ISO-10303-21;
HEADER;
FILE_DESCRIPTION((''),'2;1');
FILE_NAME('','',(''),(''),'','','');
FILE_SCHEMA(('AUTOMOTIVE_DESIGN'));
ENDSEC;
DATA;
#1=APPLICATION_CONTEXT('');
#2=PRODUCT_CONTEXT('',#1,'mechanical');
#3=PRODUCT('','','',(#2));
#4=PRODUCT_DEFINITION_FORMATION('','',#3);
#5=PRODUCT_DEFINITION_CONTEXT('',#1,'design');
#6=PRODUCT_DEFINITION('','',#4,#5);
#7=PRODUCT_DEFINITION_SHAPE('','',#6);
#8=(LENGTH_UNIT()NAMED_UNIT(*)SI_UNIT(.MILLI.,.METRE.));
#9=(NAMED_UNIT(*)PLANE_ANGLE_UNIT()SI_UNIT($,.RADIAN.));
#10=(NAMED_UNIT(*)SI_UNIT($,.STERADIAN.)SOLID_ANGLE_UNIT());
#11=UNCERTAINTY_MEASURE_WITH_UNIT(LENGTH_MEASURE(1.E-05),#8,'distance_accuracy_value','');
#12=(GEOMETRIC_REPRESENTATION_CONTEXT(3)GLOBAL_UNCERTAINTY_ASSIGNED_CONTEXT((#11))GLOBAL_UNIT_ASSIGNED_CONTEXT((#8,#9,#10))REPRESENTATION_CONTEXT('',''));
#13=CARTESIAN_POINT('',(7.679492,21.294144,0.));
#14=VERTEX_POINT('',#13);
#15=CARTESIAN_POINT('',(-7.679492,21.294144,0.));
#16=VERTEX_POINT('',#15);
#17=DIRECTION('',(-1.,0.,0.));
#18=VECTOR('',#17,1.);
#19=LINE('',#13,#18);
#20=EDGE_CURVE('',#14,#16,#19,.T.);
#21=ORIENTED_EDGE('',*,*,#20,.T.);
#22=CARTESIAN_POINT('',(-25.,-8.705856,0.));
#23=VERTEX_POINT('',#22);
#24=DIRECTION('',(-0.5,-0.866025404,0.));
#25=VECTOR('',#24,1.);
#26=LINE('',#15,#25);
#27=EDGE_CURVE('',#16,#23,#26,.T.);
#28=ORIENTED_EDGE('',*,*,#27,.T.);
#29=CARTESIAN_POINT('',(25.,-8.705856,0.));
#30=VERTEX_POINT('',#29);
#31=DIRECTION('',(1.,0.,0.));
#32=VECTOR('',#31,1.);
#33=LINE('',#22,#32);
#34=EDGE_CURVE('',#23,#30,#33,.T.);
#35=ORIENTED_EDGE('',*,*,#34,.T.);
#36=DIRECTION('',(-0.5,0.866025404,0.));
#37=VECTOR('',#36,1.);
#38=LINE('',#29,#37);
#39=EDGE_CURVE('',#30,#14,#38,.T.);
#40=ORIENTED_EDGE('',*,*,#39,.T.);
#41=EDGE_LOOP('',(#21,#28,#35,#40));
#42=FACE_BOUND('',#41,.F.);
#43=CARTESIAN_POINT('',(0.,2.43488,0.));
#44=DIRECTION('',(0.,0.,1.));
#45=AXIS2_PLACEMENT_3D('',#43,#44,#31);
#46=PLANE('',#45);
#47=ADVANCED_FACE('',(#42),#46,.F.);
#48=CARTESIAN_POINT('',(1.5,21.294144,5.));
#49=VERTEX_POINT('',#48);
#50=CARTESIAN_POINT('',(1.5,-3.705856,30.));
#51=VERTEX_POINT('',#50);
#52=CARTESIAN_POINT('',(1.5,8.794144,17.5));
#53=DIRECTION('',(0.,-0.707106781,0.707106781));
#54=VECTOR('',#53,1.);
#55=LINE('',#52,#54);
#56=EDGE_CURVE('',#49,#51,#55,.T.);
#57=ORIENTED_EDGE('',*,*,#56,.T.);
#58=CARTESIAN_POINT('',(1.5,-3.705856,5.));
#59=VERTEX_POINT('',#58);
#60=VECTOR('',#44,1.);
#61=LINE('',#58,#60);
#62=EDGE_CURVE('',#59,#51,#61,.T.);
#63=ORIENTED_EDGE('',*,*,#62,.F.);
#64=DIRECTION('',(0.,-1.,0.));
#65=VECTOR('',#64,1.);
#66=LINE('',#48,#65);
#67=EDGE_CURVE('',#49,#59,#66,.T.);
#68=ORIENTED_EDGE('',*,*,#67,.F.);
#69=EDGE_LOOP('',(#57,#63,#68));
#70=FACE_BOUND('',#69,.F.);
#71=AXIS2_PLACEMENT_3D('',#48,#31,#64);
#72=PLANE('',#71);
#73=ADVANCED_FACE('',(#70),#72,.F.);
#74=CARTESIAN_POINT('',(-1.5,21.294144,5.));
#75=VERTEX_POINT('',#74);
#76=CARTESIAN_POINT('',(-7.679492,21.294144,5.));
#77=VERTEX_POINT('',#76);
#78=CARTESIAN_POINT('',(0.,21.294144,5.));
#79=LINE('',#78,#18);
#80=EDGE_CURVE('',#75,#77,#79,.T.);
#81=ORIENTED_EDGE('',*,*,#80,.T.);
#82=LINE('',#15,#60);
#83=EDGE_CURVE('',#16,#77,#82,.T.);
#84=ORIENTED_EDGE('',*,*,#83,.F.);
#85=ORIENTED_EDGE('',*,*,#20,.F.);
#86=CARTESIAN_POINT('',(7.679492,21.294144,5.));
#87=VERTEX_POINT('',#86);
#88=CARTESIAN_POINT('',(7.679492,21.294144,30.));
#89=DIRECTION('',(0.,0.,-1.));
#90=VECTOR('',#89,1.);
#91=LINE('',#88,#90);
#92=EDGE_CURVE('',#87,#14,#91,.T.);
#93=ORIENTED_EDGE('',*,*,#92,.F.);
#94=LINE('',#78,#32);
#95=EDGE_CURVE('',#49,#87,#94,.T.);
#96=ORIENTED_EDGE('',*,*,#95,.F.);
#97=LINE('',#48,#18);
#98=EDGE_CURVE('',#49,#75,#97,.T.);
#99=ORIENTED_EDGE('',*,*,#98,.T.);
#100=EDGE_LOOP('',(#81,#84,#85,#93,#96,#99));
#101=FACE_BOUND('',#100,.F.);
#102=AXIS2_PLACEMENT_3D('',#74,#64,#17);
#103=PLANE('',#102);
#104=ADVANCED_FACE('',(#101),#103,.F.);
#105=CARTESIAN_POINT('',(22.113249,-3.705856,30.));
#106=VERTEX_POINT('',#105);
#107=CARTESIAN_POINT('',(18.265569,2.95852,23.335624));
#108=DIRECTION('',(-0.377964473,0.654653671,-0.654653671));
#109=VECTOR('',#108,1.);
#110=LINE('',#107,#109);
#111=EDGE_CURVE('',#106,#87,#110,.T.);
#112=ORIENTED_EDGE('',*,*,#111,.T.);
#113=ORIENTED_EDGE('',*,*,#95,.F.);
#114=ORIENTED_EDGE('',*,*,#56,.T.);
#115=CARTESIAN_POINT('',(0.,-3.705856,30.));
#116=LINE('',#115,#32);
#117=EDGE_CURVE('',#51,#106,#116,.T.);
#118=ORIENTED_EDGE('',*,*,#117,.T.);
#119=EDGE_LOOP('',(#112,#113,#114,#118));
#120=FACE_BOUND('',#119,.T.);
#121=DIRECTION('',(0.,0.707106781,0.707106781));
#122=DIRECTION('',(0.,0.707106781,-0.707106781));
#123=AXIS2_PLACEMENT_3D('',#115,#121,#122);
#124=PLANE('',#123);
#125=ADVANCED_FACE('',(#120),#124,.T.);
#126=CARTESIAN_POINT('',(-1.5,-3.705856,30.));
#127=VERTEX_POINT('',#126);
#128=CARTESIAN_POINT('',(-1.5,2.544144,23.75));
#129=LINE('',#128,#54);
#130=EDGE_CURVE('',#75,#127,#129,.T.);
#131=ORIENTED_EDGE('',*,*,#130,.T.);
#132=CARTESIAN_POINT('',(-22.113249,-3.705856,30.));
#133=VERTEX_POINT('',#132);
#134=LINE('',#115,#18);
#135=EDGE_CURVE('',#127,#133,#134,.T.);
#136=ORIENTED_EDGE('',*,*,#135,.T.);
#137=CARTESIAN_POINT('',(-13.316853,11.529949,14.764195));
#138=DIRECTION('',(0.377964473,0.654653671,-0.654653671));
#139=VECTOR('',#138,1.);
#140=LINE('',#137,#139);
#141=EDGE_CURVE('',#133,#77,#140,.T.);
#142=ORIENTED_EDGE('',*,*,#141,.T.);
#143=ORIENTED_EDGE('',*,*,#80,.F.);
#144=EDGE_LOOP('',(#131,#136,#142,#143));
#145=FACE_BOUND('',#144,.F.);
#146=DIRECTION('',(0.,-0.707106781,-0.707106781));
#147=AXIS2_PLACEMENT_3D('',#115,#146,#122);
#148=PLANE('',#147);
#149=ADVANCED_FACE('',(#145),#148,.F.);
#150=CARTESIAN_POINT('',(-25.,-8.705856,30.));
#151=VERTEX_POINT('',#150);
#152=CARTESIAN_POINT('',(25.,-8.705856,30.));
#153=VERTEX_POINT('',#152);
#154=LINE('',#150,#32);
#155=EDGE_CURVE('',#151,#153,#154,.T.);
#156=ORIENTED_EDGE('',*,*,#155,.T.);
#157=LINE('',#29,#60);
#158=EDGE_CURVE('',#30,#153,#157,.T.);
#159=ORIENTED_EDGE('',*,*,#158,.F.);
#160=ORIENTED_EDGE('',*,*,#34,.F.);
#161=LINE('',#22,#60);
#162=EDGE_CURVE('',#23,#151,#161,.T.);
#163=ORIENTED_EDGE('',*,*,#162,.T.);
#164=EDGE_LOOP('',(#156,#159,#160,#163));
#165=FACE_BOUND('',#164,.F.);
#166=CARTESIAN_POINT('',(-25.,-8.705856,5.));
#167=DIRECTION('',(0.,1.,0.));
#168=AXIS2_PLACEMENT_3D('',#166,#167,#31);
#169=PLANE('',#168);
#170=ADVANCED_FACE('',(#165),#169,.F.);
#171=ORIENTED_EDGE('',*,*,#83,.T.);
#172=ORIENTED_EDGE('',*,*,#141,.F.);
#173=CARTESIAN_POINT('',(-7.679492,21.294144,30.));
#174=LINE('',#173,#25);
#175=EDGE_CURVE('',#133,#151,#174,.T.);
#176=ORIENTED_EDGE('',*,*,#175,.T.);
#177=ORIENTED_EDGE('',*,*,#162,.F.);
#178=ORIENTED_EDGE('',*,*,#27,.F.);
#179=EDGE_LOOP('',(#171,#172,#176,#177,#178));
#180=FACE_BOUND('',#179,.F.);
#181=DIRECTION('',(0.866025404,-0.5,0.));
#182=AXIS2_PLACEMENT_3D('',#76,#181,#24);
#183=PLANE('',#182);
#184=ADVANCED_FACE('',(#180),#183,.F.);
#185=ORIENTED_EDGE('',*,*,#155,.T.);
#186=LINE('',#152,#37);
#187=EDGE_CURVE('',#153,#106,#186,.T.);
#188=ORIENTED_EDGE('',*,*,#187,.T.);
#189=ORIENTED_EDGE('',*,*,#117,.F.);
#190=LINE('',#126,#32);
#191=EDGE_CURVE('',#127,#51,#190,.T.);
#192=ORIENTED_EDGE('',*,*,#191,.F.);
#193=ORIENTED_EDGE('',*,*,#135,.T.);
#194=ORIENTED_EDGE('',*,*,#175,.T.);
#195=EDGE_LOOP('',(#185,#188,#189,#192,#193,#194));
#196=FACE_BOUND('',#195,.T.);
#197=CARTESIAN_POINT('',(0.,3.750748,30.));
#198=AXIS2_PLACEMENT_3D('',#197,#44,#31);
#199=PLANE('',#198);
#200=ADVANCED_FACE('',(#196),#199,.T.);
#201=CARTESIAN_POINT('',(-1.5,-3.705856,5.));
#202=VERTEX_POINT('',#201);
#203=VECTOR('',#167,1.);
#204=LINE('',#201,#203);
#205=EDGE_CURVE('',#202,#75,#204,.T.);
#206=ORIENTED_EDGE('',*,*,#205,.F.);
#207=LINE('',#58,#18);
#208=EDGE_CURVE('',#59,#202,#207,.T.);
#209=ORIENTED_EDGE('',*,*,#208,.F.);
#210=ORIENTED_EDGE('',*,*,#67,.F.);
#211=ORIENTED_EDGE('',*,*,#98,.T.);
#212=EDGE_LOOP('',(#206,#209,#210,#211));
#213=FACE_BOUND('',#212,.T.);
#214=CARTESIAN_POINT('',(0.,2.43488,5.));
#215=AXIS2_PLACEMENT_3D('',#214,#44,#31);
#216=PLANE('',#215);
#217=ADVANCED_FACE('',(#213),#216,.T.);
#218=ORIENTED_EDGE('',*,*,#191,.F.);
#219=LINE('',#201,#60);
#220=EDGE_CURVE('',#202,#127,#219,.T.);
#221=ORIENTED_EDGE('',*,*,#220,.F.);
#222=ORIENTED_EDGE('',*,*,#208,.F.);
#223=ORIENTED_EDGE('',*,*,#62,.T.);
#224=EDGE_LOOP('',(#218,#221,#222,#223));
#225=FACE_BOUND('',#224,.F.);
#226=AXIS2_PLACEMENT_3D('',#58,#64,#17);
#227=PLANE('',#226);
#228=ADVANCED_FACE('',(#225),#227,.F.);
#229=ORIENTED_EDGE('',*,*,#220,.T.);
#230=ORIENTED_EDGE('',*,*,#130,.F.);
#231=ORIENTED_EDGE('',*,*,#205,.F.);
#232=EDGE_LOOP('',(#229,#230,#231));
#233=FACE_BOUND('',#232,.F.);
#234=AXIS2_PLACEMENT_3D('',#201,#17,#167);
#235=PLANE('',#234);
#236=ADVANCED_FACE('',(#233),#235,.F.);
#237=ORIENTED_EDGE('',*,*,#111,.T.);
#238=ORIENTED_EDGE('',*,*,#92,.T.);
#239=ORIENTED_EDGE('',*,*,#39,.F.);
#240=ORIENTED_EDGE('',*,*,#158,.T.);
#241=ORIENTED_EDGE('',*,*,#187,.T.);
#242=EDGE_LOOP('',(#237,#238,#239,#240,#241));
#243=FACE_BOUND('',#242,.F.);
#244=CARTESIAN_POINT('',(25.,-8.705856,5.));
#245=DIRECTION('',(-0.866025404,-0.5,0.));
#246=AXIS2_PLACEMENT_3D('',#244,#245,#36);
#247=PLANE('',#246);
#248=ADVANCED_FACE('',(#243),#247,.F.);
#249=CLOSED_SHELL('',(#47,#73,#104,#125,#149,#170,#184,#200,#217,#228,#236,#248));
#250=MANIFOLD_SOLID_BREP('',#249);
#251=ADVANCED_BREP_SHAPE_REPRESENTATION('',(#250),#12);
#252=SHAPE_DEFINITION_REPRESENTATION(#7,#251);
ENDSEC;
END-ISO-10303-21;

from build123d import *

# Parameters (mm, degrees)
F1_DEPTH      = 5
F4_DEPTH      = 25
F5_DEPTH      = 23.1132486541
F5_DEPTH_BACK = 23.1132486541


with BuildPart() as f1:
    # F0 (on Top) → F1 (new body)
    with BuildSketch(Plane.XY):
        Polygon((7.6794919243, 21.294143835), (-7.6794919243, 21.294143835), (-25, -8.705856165), (25, -8.705856165), align=None)
    extrude(amount=F1_DEPTH)

    # F2 (on face) → F4 (join, through all)
    with BuildSketch(Plane.XY.offset(5)):
        Polygon((-1.5, -3.705856165), (-1.5, 21.294143835), (-7.6794919243, 21.294143835), (-25, -8.705856165), (25, -8.705856165), (7.6794919243, 21.294143835), (1.5, 21.294143835), (1.5, -3.705856165), align=None)
    extrude(amount=F4_DEPTH)

    # F3 (on Right) → F5 (cut, two sides)
    with BuildSketch(Plane.YZ) as f5_sk:
        Polygon((-3.705856165, 30), (21.294143835, 5), (21.294143835, 30), align=None)
    extrude(amount=-F5_DEPTH, mode=Mode.SUBTRACT)
    extrude(f5_sk.sketch, amount=F5_DEPTH_BACK, mode=Mode.SUBTRACT)


solid = f1.part
